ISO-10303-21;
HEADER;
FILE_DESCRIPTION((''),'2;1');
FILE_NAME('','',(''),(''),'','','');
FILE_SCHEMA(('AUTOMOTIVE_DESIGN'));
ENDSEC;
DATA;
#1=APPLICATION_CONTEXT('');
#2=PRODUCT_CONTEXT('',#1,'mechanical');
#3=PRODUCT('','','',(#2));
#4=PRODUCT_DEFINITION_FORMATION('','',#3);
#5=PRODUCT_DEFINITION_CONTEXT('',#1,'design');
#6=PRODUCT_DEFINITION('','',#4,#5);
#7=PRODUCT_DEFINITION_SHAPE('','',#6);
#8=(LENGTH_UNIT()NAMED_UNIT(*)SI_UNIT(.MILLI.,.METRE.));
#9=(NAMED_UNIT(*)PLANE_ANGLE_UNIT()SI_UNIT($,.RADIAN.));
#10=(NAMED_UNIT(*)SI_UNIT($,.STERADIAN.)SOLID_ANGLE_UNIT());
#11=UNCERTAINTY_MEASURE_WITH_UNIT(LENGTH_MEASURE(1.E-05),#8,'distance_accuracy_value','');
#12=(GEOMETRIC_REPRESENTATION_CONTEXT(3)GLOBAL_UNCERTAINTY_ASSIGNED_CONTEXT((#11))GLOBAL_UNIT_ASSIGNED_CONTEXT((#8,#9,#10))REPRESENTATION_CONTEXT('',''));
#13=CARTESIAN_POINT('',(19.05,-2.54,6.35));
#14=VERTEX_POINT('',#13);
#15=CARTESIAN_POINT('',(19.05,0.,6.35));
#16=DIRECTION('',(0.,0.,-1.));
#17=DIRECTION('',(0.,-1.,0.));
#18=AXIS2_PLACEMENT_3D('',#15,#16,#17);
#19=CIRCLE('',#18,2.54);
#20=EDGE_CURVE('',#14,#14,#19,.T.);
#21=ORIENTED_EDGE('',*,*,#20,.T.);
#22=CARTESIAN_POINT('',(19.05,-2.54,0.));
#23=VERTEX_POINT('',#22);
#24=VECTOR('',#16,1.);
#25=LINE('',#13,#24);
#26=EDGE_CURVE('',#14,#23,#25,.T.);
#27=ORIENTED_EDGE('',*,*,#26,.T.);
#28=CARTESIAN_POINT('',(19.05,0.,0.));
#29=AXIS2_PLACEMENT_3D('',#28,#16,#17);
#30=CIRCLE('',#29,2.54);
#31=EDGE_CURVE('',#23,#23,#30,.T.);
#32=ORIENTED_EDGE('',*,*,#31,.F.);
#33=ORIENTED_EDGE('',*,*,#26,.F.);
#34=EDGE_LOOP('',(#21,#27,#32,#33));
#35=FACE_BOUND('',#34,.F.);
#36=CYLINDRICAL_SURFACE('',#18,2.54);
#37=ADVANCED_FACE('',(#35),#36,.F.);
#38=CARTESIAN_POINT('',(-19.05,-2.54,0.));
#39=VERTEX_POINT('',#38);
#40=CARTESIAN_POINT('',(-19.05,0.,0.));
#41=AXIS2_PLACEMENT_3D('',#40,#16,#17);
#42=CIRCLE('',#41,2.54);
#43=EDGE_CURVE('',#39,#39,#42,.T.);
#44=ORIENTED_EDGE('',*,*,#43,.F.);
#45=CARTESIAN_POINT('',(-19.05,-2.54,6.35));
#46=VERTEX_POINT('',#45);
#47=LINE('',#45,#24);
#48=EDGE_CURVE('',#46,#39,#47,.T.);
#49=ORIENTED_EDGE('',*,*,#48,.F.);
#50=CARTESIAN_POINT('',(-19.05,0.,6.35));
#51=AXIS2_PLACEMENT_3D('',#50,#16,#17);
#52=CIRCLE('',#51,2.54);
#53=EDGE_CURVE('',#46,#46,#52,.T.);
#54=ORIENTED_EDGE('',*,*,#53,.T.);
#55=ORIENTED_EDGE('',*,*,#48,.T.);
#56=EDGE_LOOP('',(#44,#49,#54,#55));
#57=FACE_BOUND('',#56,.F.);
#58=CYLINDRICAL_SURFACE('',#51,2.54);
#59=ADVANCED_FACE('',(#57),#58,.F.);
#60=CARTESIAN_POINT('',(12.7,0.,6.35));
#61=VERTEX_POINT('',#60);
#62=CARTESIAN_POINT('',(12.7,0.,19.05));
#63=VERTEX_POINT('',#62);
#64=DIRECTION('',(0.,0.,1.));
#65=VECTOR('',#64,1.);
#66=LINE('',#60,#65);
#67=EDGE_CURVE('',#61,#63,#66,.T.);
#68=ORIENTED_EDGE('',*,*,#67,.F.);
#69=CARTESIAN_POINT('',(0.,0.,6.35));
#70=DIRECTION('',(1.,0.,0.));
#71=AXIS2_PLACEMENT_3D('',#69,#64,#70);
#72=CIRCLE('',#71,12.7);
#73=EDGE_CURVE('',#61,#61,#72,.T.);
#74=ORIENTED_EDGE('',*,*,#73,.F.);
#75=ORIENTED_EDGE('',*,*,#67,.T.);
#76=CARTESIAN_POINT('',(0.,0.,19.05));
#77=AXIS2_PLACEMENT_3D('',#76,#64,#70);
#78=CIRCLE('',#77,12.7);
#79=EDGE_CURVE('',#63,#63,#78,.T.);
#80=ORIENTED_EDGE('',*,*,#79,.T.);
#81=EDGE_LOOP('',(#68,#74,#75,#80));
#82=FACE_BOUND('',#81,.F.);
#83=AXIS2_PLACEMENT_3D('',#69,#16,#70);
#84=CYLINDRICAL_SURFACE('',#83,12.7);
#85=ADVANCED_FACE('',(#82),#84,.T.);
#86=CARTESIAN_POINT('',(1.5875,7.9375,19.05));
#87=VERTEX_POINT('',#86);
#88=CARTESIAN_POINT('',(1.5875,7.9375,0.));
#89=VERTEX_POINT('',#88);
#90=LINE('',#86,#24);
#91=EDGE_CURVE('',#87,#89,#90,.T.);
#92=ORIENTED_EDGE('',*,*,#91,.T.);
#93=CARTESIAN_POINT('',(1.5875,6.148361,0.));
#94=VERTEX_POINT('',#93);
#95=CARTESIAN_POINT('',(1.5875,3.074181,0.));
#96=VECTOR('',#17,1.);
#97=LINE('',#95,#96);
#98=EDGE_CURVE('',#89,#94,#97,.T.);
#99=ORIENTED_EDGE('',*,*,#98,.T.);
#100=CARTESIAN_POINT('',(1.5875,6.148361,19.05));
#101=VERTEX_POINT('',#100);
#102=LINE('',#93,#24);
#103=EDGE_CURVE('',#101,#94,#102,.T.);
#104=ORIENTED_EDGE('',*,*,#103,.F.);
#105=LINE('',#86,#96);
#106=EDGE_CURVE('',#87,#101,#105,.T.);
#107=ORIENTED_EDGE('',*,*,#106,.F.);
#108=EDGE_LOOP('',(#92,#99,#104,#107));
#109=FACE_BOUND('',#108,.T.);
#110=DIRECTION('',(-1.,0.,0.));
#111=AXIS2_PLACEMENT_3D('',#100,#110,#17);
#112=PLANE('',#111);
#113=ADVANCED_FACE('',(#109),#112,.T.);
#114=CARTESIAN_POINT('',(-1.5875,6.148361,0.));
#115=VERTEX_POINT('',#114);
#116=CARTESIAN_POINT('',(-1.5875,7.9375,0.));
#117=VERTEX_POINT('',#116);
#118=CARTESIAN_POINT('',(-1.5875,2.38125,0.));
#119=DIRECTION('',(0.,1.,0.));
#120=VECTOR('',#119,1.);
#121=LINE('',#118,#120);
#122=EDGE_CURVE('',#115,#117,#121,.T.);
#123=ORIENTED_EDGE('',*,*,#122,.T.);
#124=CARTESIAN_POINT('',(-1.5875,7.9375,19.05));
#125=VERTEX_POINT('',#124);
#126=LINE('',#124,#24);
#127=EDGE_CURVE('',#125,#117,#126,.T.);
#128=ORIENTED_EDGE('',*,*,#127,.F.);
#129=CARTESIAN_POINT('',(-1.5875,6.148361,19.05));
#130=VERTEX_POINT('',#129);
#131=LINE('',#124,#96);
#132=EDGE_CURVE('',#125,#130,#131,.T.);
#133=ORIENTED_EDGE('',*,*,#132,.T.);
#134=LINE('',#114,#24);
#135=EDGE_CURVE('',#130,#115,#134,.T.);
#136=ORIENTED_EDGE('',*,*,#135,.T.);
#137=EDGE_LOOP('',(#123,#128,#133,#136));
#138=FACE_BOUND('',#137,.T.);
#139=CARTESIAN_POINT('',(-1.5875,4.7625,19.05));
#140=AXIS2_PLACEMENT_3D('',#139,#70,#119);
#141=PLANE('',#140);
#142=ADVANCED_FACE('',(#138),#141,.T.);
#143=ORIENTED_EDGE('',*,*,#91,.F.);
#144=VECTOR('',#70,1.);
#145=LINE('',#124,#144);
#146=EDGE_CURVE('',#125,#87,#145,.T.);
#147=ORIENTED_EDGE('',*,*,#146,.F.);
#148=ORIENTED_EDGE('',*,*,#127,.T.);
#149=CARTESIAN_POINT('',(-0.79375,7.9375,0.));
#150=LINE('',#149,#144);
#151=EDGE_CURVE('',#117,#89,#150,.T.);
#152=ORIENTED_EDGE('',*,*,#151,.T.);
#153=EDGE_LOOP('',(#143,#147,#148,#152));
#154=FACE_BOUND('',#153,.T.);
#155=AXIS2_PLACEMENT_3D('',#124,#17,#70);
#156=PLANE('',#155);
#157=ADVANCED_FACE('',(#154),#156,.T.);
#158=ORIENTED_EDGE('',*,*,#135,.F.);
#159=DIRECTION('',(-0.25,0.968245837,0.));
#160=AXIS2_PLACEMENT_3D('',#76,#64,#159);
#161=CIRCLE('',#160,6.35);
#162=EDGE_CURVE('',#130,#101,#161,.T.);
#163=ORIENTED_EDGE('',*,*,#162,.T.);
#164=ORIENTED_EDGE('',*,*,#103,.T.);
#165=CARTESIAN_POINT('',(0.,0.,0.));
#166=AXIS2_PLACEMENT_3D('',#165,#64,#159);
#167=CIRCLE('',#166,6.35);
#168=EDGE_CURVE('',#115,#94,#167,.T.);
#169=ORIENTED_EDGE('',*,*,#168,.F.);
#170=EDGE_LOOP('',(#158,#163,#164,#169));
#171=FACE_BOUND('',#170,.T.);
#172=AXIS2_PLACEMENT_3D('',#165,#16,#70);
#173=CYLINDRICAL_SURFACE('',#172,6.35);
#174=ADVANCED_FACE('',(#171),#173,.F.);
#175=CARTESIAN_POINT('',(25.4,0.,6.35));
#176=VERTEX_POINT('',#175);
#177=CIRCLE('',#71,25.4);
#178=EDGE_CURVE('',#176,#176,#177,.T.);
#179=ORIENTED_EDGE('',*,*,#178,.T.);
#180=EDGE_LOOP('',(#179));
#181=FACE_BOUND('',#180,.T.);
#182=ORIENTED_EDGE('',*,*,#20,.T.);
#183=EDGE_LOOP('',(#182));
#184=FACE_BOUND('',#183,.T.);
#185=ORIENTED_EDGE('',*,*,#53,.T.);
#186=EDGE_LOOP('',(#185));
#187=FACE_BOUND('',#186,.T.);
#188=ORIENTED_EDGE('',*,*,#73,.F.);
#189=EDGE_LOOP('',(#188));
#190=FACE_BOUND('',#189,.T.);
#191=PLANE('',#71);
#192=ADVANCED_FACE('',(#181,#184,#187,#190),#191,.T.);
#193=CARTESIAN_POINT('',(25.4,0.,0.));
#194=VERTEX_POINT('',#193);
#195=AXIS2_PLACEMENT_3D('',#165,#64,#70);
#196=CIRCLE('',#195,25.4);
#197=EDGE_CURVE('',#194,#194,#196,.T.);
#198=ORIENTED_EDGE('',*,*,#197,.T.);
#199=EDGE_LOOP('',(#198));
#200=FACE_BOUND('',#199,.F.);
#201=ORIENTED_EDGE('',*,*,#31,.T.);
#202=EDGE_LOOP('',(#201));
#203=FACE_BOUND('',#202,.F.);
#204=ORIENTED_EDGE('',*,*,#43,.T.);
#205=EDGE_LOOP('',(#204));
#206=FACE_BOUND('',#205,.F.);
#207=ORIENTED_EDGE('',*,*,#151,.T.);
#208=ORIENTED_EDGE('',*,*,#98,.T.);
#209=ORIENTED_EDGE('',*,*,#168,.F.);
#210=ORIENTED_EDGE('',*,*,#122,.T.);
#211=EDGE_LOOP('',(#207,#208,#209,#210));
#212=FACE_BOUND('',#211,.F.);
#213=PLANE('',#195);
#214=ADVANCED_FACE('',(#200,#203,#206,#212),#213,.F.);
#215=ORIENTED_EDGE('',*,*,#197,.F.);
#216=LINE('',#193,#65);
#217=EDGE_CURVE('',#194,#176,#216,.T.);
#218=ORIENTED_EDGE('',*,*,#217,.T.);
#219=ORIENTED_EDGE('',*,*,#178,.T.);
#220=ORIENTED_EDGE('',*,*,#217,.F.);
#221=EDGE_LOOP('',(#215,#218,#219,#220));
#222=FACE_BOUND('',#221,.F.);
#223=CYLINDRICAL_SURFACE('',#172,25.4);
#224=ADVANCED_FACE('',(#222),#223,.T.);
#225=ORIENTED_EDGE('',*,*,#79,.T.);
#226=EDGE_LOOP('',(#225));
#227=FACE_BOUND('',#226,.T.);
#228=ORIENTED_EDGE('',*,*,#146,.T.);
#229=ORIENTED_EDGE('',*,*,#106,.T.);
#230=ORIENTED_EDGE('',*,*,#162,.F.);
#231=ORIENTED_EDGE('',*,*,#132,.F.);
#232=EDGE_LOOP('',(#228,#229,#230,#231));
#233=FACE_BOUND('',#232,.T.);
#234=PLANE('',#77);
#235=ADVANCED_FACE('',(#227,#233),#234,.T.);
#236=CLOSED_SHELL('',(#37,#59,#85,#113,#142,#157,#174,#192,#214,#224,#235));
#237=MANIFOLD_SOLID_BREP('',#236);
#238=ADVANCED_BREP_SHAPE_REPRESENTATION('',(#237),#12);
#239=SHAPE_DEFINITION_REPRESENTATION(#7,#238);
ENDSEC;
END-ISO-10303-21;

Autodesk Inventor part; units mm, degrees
ref_plane "YZ Plane" through (0, 0, 0) normal (1, 0, 0) x (0, 1, 0)
ref_plane "XZ Plane" through (0, 0, 0) normal (0, 1, 0) x (-1, 0, 0)
ref_plane "XY Plane" through (0, 0, 0) normal (0, 0, 1) x (1, 0, 0)
sketch "Sketch1" plane through (0, 0, 0) normal (0, 0, 1) x (1, 0, 0)
  circle A0 centre (0, 0) radius 6.35
  circle A1 centre (0, 0) radius 25.4
  dimension "d0" = 12.7
  dimension "d1" = 50.8
extrude "Extrusion1" add sketch "Sketch1" along normal blind 6.35
sketch "Sketch2" plane through (0, 0, 6.35) normal (0, 0, 1) x (1, 0, 0)
  circle A0 centre (0, 0) radius 6.35
  circle A1 centre (0, 0) radius 12.7
  dimension "d4" = 12.7
  dimension "d5" = 25.4
extrude "Extrusion2" add sketch "Sketch2" along normal blind 12.7
sketch "Sketch3" plane through (0, 0, 19.05) normal (0, 0, 1) x (1, 0, 0)
  circle A0 centre (0, 0) radius 6.35 projected
  circle A1 centre (0, 0) radius 12.7 projected
  line L0 (1.5875, 4.7625) -> (-1.5875, 4.7625)
  line L1 (-1.5875, 4.7625) -> (-1.5875, 7.9375)
  line L2 (-1.5875, 7.9375) -> (1.5875, 7.9375)
  line L3 (1.5875, 7.9375) -> (1.5875, 4.7625)
  line L4 (1.5875, 4.7625) -> (-1.5875, 7.9375) construction
  line L5 (-1.5875, 4.7625) -> (1.5875, 7.9375) construction
  point P0 (0, 6.35)
  dimension "d8" = 3.175
  dimension "d9" = 3.175
extrude "Extrusion3" cut sketch "Sketch3" against normal blind 25.4 contours L3 L0 L1 A0 | A0 L1 L2 L3 picked at (0.1781, 5.2842)
sketch "Sketch4" plane through (0, 0, 6.35) normal (0, 0, 1) x (1, 0, 0)
  circle A0 centre (0, 0) radius 12.7 projected
  circle A1 centre (0, 0) radius 25.4 projected
  circle A2 centre (0, 0) radius 19.05 construction
  circle A3 centre (-19.05, 0) radius 2.413
  circle A4 centre (19.05, 0) radius 2.413
  dimension "d12" = 38.1
  dimension "d13" = 4.826
  dimension "d14" = 4.826
hole "Hole1" at (-19.05, 0, 6.35) at (19.05, 0, 6.35) direction (0, 0, -1) diameter 5.08 end through all
properties part number "Hub Connected to Steel Tubing - 0.5in. Diameter" material "Aluminum 6061"
